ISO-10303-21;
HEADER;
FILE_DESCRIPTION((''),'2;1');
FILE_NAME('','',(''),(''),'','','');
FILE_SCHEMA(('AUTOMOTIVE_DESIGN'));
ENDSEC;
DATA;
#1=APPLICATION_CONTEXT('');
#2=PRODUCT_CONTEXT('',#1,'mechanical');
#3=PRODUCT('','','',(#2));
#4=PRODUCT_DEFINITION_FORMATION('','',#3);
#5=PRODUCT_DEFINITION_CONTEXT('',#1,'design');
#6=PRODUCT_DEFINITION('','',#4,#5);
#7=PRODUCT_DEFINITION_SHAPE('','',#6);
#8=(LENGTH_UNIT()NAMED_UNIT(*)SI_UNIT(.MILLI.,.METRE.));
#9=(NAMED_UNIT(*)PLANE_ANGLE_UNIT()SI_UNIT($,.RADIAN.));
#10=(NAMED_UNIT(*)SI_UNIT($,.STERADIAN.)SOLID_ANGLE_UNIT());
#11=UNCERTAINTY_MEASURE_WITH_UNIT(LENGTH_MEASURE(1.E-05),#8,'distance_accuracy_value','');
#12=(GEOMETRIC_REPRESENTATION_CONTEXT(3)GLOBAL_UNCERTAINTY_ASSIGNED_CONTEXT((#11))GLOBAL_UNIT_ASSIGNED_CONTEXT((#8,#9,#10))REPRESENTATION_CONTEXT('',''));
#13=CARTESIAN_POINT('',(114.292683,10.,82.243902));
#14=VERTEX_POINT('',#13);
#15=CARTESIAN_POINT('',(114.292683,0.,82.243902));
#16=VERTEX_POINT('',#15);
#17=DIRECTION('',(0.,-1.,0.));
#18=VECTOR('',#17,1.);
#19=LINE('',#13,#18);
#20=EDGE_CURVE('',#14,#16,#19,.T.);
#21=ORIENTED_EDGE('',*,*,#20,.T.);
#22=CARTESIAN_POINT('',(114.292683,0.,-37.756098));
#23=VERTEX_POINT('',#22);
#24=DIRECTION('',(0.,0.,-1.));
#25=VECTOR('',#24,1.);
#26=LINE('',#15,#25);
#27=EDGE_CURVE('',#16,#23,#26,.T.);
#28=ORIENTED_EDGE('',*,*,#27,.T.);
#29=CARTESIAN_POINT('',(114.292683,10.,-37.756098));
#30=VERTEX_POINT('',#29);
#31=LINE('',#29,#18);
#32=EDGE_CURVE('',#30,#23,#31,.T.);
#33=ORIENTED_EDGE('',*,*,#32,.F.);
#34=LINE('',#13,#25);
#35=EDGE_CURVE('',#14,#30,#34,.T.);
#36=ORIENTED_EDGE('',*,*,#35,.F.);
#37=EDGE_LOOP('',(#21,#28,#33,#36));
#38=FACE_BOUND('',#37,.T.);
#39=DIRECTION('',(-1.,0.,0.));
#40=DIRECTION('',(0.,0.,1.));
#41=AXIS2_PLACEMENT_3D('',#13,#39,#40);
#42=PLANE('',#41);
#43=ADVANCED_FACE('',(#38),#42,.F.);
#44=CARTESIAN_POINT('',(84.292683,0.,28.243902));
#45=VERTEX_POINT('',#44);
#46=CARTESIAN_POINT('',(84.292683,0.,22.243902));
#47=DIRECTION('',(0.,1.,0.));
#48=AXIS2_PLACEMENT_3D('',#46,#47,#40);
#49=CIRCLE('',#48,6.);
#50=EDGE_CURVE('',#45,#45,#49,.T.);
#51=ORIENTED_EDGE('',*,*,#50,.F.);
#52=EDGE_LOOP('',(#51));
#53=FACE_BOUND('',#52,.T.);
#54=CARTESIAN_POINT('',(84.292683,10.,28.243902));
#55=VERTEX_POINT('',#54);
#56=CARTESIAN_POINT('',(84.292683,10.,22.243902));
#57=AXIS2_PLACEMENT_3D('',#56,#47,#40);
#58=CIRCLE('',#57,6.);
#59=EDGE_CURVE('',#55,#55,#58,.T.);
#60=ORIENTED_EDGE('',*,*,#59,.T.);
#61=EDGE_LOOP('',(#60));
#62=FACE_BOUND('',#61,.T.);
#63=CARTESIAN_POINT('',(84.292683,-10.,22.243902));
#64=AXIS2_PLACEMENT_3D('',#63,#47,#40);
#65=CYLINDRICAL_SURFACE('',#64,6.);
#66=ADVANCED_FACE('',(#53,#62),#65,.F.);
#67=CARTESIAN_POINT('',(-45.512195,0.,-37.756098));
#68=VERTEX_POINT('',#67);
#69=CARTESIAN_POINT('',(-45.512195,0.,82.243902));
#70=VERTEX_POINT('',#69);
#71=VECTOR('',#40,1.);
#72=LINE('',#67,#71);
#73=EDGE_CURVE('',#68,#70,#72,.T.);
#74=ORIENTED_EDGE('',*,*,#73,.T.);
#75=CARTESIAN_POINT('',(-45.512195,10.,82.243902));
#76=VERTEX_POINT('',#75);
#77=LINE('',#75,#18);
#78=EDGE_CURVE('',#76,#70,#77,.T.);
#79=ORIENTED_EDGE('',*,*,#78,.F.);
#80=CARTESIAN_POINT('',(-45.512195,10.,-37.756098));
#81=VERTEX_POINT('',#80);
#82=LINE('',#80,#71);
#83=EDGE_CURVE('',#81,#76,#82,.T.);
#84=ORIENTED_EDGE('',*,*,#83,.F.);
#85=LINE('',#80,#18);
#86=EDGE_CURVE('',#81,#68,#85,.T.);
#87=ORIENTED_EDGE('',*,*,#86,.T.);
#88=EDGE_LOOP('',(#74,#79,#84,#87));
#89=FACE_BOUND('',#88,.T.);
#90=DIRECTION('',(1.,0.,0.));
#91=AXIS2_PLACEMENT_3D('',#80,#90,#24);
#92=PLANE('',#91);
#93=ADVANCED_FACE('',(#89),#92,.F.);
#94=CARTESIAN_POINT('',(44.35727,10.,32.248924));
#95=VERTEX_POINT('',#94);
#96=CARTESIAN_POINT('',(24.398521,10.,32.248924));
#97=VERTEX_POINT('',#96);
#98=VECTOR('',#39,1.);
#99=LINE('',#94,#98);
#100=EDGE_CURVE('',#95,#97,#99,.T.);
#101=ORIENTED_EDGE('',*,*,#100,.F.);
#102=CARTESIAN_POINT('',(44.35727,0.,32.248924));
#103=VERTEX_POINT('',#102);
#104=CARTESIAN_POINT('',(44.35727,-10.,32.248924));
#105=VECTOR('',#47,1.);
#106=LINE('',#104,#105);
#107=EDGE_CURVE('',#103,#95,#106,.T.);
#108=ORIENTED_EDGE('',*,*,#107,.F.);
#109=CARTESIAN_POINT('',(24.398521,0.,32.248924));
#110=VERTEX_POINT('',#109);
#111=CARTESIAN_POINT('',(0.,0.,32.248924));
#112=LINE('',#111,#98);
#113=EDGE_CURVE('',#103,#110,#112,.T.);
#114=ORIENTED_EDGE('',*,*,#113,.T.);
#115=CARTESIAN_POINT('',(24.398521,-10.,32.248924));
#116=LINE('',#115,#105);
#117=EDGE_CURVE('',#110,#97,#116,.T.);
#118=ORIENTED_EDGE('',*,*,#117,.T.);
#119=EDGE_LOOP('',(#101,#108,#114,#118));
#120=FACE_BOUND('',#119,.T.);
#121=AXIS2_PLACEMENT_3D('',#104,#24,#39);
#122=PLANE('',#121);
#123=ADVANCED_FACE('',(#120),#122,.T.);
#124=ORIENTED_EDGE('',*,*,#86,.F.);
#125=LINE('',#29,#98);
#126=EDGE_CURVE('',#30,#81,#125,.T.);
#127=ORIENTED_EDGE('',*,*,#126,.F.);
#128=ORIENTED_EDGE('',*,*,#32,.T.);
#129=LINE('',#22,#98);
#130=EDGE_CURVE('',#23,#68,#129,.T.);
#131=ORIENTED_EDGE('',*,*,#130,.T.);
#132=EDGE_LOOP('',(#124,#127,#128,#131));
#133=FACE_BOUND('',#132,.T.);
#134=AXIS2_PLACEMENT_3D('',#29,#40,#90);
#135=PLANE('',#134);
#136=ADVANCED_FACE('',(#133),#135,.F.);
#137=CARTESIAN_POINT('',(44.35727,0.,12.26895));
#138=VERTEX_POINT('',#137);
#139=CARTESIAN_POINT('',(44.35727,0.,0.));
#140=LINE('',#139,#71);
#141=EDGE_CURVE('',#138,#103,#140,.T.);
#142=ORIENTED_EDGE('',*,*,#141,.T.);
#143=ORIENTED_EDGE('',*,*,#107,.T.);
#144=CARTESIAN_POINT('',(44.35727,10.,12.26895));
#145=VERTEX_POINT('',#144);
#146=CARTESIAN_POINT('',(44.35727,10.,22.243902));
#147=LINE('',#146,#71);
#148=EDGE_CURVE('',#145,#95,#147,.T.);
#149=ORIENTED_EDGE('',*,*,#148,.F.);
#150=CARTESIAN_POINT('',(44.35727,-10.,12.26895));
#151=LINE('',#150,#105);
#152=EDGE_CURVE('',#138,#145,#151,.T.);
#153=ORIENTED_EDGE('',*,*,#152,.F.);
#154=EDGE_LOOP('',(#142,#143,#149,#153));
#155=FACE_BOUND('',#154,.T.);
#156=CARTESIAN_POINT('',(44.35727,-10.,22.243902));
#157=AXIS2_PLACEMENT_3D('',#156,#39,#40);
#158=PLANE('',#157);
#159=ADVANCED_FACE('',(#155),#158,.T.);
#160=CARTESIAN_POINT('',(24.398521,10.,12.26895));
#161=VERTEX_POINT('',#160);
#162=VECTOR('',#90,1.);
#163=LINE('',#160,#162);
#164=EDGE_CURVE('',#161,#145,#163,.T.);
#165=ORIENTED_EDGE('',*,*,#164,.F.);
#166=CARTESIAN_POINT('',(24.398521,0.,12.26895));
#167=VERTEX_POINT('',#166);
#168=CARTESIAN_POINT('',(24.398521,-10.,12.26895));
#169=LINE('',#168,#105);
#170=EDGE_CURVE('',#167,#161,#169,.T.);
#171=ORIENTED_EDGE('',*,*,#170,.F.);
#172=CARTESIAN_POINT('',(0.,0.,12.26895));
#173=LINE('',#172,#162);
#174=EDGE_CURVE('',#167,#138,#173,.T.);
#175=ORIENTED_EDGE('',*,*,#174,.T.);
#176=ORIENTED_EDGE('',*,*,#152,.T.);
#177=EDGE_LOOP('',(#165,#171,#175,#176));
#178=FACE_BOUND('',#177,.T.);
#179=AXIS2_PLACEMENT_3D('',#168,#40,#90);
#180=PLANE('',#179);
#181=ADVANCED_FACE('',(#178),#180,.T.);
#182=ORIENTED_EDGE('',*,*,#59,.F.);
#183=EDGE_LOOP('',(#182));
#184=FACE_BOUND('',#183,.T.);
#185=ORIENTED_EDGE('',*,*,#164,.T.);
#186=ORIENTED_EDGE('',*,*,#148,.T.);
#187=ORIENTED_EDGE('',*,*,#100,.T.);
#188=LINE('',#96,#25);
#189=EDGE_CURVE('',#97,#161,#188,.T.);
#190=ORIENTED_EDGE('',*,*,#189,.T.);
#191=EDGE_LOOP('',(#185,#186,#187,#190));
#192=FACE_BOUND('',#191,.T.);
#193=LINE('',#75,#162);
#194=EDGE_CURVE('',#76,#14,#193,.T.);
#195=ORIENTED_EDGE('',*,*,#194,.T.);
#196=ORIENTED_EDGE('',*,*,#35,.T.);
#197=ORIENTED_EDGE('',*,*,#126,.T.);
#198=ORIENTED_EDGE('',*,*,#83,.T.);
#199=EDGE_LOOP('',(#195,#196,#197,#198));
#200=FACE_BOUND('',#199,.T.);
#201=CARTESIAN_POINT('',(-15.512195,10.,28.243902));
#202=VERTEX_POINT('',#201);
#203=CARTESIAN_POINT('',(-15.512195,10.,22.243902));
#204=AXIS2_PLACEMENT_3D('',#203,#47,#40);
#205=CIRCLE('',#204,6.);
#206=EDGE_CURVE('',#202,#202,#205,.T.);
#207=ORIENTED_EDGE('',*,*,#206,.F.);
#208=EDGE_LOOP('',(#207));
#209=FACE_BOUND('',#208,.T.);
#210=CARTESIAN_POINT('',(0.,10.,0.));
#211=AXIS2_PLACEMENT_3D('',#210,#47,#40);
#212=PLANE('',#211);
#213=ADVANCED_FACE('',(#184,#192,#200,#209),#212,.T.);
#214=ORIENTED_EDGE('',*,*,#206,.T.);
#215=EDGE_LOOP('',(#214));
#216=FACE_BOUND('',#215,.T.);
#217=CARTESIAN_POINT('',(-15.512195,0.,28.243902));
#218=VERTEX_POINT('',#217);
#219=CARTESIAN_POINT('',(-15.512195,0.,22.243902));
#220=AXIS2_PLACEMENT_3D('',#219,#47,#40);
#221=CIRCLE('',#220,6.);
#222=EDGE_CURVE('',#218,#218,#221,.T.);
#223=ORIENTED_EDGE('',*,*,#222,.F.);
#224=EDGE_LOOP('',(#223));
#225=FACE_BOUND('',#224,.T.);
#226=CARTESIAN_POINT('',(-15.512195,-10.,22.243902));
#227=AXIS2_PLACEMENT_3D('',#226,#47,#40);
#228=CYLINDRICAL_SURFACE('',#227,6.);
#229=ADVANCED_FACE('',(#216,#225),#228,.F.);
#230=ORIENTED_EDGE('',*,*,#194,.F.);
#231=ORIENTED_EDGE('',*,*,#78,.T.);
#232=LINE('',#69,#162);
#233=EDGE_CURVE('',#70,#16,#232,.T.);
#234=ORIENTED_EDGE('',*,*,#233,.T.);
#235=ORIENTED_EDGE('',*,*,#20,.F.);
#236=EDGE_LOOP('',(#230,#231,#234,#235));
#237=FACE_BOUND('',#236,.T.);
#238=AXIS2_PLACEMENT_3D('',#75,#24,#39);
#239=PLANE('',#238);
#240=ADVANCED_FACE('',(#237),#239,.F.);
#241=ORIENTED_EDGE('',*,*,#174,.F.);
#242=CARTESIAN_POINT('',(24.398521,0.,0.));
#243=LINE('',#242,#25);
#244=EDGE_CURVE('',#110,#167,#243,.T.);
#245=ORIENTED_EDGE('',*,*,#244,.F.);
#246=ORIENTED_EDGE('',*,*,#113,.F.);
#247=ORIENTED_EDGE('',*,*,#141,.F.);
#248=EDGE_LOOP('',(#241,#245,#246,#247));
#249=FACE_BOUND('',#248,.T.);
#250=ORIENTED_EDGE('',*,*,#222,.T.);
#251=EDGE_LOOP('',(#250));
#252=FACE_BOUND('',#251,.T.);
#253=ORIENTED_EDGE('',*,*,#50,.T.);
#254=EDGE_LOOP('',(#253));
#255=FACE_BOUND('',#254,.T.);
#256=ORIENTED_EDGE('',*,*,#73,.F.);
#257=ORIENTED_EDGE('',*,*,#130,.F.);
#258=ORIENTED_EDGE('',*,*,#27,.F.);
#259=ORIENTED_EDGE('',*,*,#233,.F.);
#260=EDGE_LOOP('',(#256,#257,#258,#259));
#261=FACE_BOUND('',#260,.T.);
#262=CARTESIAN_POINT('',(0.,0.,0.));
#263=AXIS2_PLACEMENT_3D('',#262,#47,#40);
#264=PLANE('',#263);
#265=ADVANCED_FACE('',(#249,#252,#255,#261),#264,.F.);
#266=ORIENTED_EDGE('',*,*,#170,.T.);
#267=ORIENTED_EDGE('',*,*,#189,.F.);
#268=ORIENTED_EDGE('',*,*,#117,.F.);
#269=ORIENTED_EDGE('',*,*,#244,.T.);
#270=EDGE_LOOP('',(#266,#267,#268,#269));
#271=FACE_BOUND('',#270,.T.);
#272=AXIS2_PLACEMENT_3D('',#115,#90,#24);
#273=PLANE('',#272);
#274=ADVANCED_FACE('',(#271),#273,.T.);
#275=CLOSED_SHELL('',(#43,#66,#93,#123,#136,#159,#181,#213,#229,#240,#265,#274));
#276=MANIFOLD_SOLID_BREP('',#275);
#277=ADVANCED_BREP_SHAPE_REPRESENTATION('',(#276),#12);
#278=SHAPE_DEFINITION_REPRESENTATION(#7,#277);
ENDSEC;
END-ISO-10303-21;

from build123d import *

# Parameters (mm, degrees)
SKETCH3_W           = 159.804878049
SKETCH3_H           = 120
BOSS_EXTRUDE1_DEPTH = 10
CUT_EXTRUDE1_DEPTH  = 20
SKETCH5_R           = 6
CUT_EXTRUDE3_DEPTH  = 20


with BuildPart() as part:
    # Sketch3 → Boss-Extrude1 (new body)
    with BuildSketch(Plane(origin=(0, 0, 0), x_dir=(1, 0, 0), z_dir=(0, 1, 0))):
        with Locations((34.390243903, -22.243902439)):
            Rectangle(SKETCH3_W, SKETCH3_H)
    extrude(amount=BOSS_EXTRUDE1_DEPTH)

    # Sketch4 → Cut-Extrude1 (cut)
    with BuildSketch(Plane(origin=(0, 10, 0), x_dir=(1, 0, 0), z_dir=(0, 1, 0))):
        Polygon((44.357270354, -22.243902439), (44.357270354, -32.248924449), (24.398521101, -32.248924449), (24.398521101, -12.268950417), (44.357270354, -12.268950417), align=None)
    extrude(amount=-CUT_EXTRUDE1_DEPTH, mode=Mode.SUBTRACT)

    # Sketch5 → Cut-Extrude3 (cut)
    with BuildSketch(Plane(origin=(0, 10, 0), x_dir=(1, 0, 0), z_dir=(0, 1, 0))):
        with Locations(Location((-15.512195122, -22.243902439, 0), (0, 0, 270))):
            Circle(SKETCH5_R)
        with Locations(Location((84.292682927, -22.243902439, 0), (0, 0, 270))):
            Circle(SKETCH5_R)
    extrude(amount=-CUT_EXTRUDE3_DEPTH, mode=Mode.SUBTRACT)


solid = part.part
